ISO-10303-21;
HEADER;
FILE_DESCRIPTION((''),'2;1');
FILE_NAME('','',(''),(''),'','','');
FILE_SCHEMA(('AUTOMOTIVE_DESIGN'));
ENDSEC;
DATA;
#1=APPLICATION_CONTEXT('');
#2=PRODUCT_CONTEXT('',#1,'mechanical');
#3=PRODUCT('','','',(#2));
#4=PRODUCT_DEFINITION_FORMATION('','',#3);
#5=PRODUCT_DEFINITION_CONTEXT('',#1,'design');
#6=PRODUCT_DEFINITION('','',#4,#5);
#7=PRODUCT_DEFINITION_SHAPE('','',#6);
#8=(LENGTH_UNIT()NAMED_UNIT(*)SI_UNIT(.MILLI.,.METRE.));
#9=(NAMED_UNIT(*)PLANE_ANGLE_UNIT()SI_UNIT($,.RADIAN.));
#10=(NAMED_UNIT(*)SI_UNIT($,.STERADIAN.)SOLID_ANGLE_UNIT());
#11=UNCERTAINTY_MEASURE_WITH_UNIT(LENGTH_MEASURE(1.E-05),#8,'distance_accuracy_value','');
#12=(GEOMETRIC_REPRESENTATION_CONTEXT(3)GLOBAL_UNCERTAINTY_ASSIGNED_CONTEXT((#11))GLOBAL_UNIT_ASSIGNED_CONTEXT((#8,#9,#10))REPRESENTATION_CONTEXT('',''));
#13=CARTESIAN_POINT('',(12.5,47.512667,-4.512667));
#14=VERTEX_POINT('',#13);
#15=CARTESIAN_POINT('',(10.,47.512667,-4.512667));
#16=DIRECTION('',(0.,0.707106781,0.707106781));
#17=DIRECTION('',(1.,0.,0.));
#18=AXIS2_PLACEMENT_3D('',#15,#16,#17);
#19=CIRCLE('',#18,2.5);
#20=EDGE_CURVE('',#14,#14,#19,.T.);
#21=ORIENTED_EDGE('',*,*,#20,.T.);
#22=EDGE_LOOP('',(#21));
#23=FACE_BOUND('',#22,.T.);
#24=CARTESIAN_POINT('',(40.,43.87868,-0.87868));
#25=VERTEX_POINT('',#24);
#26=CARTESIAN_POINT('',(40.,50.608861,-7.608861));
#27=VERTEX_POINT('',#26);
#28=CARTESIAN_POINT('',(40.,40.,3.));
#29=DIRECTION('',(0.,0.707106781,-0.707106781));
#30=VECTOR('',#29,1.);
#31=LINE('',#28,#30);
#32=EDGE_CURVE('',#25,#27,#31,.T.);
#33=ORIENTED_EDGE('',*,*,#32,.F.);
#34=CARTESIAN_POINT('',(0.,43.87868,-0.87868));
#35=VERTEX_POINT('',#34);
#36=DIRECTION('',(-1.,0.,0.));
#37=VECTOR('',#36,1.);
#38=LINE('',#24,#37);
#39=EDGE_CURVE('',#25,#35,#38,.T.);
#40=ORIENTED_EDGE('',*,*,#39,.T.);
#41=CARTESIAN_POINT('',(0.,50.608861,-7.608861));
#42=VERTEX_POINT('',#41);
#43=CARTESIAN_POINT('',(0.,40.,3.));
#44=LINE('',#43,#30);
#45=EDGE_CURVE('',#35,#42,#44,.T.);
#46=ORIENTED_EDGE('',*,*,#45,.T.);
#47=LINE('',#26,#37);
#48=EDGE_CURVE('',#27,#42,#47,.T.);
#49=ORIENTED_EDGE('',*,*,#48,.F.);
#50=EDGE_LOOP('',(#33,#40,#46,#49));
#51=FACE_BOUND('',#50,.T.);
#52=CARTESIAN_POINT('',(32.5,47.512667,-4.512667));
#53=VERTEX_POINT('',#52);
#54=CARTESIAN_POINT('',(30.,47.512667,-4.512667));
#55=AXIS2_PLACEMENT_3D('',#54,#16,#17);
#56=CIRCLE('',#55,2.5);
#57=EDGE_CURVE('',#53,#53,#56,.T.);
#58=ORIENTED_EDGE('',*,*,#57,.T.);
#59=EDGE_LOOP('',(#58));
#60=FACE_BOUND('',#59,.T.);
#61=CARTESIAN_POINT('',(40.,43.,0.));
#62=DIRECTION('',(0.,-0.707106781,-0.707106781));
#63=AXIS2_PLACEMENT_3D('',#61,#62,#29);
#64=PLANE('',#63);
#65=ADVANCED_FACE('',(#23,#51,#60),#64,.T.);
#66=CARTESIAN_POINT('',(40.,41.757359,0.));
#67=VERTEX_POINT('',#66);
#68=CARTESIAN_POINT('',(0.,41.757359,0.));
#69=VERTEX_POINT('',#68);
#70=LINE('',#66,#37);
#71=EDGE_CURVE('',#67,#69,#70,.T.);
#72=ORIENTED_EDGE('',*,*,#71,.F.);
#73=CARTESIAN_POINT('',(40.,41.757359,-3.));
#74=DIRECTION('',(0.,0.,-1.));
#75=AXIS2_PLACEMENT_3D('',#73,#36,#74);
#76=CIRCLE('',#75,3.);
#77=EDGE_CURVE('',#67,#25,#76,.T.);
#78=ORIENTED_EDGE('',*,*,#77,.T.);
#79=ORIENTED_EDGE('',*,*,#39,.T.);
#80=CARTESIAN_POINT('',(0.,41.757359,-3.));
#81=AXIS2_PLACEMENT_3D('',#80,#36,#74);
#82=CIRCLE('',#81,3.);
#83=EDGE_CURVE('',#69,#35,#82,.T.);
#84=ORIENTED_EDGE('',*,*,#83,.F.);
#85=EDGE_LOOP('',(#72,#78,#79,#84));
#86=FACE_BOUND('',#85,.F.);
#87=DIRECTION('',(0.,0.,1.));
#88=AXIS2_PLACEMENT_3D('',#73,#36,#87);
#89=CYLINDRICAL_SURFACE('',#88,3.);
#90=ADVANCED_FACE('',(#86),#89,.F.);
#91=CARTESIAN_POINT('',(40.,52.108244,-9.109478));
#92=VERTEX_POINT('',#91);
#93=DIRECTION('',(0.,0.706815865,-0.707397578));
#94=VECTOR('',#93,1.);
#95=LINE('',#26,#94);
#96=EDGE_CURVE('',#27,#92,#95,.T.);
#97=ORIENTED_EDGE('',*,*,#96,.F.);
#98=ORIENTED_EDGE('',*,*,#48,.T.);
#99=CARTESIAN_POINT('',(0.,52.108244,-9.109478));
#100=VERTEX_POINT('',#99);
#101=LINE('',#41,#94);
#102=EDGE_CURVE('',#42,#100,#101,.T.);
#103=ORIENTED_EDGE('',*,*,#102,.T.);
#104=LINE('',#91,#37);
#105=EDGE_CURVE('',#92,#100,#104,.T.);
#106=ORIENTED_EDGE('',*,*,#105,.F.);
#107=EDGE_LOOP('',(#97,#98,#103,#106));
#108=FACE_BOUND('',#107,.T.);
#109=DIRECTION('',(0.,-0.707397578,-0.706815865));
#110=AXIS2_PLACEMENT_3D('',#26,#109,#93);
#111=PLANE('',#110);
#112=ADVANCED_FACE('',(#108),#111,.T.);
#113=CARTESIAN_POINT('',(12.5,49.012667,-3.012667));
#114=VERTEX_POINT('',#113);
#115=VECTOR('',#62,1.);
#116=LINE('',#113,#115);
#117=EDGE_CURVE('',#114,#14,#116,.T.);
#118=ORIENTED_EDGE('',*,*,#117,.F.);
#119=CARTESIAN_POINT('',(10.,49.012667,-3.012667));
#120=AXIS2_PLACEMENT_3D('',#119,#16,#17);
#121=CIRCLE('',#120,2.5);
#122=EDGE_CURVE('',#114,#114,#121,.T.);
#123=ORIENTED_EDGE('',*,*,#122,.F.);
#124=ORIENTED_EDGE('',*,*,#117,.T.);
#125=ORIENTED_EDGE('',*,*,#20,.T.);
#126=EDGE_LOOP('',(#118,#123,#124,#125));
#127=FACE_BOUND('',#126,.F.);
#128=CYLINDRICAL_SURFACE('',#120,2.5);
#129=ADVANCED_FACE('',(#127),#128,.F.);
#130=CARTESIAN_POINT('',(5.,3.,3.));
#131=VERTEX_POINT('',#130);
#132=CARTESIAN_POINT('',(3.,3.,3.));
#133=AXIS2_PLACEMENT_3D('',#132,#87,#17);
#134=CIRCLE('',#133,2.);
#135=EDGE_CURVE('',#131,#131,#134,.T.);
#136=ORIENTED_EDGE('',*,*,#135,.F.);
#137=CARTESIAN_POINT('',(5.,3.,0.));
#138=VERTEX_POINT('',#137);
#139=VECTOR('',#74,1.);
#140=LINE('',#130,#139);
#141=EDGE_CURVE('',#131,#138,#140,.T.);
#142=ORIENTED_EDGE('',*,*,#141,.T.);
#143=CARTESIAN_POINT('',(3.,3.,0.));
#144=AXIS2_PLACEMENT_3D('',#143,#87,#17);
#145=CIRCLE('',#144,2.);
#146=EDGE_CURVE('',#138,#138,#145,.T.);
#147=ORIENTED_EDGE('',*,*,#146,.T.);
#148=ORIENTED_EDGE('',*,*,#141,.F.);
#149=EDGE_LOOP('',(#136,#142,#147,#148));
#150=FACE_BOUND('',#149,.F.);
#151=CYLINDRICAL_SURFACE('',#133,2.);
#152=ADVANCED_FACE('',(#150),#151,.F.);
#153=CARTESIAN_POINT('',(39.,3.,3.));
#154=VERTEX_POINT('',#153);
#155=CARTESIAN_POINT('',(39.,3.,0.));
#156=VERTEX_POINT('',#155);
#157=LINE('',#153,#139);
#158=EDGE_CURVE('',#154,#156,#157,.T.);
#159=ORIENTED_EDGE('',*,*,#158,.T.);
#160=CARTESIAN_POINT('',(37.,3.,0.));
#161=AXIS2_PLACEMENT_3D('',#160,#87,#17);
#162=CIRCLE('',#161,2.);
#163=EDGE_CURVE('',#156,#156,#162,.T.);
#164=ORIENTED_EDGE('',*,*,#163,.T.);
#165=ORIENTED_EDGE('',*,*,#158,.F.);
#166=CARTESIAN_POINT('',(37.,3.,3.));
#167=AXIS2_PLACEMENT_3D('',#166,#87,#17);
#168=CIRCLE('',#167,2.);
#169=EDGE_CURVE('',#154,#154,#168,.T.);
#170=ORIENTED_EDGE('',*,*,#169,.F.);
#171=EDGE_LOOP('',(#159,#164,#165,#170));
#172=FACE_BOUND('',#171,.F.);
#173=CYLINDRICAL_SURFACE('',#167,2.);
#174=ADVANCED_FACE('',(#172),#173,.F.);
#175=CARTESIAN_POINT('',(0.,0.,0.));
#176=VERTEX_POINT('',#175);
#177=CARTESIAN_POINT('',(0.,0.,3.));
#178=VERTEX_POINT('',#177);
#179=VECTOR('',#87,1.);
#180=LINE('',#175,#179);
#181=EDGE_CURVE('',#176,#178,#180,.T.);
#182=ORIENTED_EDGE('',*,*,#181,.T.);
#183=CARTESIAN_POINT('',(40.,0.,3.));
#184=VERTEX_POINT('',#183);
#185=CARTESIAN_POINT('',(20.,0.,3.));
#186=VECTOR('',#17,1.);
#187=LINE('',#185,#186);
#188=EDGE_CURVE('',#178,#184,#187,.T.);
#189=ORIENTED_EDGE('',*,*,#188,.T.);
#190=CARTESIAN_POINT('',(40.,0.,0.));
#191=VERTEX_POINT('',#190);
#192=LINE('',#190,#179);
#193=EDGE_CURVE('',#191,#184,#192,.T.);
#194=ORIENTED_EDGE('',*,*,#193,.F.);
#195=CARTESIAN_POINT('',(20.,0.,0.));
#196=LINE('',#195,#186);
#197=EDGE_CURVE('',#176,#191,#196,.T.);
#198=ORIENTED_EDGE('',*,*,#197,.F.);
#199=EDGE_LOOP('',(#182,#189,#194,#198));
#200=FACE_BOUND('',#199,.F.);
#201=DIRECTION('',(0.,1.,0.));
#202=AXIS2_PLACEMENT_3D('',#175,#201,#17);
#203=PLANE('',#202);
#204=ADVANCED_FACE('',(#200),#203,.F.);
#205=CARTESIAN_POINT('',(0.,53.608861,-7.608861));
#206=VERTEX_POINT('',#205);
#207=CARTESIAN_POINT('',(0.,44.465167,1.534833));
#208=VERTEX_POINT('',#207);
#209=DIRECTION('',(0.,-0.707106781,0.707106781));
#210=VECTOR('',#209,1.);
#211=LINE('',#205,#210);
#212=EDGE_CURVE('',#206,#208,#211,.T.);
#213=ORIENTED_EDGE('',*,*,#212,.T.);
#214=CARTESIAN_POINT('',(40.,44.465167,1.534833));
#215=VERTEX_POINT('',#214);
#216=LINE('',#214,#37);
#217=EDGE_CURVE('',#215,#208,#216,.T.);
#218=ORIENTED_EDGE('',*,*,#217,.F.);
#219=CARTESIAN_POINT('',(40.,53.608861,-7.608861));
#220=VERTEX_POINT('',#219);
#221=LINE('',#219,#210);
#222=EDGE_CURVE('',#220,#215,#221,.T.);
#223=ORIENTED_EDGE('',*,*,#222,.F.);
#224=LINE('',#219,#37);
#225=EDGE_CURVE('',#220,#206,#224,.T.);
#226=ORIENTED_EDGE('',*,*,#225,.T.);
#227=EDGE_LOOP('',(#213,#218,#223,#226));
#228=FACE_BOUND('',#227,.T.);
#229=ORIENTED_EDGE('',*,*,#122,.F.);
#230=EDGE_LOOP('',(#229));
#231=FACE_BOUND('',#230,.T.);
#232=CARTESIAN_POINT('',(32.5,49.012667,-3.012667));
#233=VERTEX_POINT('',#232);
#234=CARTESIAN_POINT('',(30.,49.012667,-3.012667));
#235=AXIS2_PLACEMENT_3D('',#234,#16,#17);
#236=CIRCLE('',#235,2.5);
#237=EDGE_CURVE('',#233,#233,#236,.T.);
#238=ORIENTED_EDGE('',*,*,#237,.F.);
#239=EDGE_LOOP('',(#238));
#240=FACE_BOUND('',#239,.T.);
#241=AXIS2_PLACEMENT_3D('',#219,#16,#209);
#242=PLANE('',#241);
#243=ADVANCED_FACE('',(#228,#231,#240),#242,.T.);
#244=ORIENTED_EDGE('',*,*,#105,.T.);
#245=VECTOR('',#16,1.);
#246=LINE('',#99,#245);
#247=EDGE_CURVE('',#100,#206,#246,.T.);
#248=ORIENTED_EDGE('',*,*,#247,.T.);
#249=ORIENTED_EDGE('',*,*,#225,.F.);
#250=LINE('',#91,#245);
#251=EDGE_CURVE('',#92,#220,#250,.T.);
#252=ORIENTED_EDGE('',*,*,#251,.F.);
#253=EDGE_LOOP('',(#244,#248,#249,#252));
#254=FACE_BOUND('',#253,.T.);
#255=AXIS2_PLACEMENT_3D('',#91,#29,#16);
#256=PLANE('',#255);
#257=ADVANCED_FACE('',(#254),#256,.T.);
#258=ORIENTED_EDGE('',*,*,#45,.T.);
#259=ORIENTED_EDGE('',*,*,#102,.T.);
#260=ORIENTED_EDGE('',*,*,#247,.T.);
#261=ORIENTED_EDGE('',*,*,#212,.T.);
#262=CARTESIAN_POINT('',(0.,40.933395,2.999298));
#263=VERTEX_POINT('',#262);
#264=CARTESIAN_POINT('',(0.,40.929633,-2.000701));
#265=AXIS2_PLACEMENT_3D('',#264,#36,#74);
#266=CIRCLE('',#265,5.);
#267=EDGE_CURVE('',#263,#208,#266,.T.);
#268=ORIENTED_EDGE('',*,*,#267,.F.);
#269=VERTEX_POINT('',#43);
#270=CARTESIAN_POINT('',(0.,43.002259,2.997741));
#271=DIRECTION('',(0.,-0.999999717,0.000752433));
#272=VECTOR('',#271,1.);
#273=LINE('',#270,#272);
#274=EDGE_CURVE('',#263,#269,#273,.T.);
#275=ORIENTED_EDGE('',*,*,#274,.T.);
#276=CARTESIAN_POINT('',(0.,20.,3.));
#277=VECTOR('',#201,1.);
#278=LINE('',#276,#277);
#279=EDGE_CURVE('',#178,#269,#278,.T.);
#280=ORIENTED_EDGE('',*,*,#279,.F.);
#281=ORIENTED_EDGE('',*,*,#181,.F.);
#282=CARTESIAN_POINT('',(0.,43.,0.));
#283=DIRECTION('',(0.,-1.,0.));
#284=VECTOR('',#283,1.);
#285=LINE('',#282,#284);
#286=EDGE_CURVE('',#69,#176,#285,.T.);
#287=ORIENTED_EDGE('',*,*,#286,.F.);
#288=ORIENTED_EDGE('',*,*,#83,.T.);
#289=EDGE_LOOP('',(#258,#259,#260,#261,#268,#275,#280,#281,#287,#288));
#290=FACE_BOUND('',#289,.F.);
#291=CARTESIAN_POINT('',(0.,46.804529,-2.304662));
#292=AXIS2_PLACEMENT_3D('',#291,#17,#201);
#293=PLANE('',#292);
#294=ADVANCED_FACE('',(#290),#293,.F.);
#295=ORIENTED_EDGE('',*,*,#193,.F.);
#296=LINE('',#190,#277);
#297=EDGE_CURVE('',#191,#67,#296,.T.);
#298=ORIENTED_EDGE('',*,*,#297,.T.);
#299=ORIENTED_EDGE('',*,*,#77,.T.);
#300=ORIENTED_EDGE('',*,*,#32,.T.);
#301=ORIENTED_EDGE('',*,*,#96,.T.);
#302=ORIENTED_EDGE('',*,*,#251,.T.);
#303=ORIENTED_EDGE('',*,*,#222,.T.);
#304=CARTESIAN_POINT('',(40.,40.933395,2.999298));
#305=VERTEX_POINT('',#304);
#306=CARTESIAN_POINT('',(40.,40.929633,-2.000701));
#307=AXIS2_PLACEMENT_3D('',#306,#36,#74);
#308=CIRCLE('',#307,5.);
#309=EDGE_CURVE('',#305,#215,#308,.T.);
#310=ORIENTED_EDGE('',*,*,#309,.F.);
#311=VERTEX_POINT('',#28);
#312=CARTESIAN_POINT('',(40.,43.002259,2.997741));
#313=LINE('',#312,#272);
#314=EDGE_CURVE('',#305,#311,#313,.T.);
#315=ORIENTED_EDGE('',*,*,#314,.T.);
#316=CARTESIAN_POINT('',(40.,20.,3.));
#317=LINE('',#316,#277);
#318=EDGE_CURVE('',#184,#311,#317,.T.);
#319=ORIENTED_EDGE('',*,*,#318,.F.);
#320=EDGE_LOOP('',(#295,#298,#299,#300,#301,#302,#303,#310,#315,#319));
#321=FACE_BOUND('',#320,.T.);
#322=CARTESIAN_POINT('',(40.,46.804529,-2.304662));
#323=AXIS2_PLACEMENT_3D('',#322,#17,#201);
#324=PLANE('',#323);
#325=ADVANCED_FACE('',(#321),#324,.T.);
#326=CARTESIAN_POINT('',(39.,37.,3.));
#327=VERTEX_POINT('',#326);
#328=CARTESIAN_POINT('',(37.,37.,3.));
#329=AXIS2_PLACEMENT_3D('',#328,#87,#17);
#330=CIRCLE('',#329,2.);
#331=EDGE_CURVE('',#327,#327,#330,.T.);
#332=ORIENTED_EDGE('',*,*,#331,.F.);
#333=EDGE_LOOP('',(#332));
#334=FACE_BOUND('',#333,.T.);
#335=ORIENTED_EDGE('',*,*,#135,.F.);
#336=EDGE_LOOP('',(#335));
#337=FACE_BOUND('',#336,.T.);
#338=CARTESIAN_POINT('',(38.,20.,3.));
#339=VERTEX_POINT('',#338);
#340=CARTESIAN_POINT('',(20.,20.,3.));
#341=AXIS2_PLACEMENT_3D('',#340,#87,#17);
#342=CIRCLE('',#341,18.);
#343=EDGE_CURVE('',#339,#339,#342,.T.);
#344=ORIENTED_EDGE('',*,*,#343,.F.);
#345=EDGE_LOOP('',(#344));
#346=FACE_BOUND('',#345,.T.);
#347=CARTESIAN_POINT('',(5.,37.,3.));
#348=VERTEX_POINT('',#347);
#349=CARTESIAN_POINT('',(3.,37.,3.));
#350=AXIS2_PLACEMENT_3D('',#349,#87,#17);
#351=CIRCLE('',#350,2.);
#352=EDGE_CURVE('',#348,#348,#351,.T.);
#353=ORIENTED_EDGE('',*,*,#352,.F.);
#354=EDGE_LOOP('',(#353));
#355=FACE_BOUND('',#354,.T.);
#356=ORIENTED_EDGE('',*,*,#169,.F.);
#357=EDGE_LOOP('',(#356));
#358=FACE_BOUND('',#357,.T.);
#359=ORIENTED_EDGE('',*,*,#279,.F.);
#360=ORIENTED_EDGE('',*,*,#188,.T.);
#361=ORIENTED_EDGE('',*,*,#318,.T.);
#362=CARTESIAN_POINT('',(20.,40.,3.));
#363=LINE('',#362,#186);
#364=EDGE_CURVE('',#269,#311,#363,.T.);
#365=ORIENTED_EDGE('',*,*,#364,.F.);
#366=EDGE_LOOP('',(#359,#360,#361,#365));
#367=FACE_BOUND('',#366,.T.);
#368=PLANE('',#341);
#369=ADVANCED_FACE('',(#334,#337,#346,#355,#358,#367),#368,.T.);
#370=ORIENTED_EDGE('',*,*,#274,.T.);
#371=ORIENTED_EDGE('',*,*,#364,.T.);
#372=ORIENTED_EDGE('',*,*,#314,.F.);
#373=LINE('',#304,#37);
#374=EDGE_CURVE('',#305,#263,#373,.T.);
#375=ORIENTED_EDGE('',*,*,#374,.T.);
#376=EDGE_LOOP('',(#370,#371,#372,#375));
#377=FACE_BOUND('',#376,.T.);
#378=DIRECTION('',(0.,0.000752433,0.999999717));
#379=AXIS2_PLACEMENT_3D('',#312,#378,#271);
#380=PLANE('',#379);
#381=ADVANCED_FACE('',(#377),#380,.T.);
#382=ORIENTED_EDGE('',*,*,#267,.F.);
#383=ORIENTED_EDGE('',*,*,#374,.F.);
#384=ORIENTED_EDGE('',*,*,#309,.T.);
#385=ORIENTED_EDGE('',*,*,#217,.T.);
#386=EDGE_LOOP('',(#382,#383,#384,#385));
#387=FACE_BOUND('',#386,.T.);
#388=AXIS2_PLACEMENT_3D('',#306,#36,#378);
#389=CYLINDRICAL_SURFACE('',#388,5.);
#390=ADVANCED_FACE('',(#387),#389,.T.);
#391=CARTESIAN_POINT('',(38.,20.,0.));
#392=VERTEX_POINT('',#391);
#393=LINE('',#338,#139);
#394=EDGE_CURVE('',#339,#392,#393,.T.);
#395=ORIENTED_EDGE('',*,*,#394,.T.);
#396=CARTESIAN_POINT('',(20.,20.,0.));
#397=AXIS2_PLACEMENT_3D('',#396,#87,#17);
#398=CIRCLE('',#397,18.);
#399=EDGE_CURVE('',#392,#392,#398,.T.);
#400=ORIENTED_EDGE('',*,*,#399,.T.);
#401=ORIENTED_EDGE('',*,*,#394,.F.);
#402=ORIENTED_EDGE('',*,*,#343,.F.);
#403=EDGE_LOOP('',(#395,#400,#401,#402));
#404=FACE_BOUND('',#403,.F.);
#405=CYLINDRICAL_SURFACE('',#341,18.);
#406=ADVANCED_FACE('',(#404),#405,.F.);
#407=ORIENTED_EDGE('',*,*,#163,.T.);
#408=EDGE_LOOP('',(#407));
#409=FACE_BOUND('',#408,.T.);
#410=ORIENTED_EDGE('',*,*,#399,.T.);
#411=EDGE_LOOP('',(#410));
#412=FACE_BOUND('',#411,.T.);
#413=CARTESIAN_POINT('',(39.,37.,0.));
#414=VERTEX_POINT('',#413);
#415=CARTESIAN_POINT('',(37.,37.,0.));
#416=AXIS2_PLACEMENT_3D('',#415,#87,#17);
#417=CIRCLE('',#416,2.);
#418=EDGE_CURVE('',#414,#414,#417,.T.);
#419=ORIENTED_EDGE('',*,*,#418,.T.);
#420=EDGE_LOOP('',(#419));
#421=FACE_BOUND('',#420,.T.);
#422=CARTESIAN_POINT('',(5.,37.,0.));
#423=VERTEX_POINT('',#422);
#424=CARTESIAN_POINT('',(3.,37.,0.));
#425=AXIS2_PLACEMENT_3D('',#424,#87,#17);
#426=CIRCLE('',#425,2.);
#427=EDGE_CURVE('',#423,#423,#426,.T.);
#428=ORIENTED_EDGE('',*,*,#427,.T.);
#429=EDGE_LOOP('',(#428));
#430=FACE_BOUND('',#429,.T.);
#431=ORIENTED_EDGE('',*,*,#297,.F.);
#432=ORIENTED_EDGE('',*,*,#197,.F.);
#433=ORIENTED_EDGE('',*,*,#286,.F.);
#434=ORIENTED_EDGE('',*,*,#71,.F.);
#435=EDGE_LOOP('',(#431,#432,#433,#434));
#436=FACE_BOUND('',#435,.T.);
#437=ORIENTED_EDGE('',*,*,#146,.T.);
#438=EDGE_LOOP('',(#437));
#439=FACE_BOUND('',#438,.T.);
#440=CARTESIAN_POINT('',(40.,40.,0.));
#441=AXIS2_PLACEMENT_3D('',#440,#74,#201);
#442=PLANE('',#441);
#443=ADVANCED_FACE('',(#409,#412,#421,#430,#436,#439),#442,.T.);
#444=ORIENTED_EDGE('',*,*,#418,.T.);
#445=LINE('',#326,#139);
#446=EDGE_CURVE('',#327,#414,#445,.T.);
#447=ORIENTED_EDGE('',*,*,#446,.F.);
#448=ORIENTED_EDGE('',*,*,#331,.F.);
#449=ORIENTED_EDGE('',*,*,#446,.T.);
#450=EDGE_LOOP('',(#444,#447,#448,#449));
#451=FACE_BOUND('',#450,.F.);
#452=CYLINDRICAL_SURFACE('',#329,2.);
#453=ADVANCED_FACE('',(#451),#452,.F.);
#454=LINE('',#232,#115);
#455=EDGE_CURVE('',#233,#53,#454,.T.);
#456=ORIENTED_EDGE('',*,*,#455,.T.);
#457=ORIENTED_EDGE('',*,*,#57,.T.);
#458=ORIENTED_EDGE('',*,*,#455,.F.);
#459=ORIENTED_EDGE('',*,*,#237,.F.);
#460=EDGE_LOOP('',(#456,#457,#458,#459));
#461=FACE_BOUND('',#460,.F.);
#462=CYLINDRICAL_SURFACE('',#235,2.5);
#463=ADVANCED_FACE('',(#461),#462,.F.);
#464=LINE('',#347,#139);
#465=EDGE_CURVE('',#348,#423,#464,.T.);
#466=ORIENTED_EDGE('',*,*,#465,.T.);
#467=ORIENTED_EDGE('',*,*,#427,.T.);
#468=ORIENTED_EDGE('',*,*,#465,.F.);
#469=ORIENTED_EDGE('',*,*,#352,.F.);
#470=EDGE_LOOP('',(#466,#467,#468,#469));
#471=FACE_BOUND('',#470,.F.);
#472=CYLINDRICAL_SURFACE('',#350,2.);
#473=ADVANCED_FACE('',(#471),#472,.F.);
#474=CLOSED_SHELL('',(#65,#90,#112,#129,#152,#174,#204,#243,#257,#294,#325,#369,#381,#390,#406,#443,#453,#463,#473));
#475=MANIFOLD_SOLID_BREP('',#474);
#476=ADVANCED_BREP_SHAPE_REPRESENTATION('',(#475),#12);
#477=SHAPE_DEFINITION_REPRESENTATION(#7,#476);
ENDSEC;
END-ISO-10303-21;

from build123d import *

# Parameters (mm, degrees)
F0_W      = 40
F0_H      = 40
F1_DEPTH  = 3
F2_R      = 18
F3_DEPTH  = 3.001
F4_R      = 2
F5_DEPTH  = 3.001
F7_DEPTH  = 40
F8_R      = 5
F9_R      = 2.5
F10_DEPTH = 38.969286
F11_R     = 3


with BuildPart() as f1:
    # F0 (on Top) → F1 (new body)
    with BuildSketch(Plane.XY):
        with Locations((20, 20)):
            Rectangle(F0_W, F0_H)
    extrude(amount=F1_DEPTH)

    # F2 (on face) → F3 (cut, through all)
    with BuildSketch(Plane.XY.offset(3)):
        with Locations((20, 20)):
            Circle(F2_R)
    extrude(amount=-F3_DEPTH, mode=Mode.SUBTRACT)

    # F4 (on face) → F5 (cut, through all)
    with BuildSketch(Plane.XY.offset(3)):
        with Locations((3, 37)):
            Circle(F4_R)
        with Locations((3, 3)):
            Circle(F4_R)
        with Locations((37, 37)):
            Circle(F4_R)
        with Locations((37, 3)):
            Circle(F4_R)
    extrude(amount=-F5_DEPTH, mode=Mode.SUBTRACT)

    # F6 (on face) → F7 (join)
    with BuildSketch(Plane.YZ.offset(40)):
        Polygon((43.002259, 2.997741), (40, 3), (43, 0), (50.608861, -7.608861), (53.608861, -7.608861), align=None)
        Polygon((43, 0), (40, 3), (40, 0), align=None)
        Polygon((52.108244, -9.109478), (53.608861, -7.608861), (50.608861, -7.608861), align=None)
    extrude(amount=-F7_DEPTH)

    # F8
    f8_edges = [f1.edges().sort_by_distance(p)[0] for p in [
        (20, 43.002259, 2.997741),
    ]]
    fillet(f8_edges, radius=F8_R)

    # F9 (on face) → F10 (cut, through all)
    with BuildSketch(Plane(origin=(0, 23, 23), x_dir=(1, 0, 0), z_dir=(0, 0.707107, 0.707107))):
        with Locations((30, 36.787466)):
            Circle(F9_R)
        with Locations((10, 36.787466)):
            Circle(F9_R)
    extrude(amount=-F10_DEPTH, mode=Mode.SUBTRACT)

    # F11
    f11_edges = [f1.edges().sort_by_distance(p)[0] for p in [
        (20, 43, 0),
    ]]
    fillet(f11_edges, radius=F11_R)


solid = f1.part
